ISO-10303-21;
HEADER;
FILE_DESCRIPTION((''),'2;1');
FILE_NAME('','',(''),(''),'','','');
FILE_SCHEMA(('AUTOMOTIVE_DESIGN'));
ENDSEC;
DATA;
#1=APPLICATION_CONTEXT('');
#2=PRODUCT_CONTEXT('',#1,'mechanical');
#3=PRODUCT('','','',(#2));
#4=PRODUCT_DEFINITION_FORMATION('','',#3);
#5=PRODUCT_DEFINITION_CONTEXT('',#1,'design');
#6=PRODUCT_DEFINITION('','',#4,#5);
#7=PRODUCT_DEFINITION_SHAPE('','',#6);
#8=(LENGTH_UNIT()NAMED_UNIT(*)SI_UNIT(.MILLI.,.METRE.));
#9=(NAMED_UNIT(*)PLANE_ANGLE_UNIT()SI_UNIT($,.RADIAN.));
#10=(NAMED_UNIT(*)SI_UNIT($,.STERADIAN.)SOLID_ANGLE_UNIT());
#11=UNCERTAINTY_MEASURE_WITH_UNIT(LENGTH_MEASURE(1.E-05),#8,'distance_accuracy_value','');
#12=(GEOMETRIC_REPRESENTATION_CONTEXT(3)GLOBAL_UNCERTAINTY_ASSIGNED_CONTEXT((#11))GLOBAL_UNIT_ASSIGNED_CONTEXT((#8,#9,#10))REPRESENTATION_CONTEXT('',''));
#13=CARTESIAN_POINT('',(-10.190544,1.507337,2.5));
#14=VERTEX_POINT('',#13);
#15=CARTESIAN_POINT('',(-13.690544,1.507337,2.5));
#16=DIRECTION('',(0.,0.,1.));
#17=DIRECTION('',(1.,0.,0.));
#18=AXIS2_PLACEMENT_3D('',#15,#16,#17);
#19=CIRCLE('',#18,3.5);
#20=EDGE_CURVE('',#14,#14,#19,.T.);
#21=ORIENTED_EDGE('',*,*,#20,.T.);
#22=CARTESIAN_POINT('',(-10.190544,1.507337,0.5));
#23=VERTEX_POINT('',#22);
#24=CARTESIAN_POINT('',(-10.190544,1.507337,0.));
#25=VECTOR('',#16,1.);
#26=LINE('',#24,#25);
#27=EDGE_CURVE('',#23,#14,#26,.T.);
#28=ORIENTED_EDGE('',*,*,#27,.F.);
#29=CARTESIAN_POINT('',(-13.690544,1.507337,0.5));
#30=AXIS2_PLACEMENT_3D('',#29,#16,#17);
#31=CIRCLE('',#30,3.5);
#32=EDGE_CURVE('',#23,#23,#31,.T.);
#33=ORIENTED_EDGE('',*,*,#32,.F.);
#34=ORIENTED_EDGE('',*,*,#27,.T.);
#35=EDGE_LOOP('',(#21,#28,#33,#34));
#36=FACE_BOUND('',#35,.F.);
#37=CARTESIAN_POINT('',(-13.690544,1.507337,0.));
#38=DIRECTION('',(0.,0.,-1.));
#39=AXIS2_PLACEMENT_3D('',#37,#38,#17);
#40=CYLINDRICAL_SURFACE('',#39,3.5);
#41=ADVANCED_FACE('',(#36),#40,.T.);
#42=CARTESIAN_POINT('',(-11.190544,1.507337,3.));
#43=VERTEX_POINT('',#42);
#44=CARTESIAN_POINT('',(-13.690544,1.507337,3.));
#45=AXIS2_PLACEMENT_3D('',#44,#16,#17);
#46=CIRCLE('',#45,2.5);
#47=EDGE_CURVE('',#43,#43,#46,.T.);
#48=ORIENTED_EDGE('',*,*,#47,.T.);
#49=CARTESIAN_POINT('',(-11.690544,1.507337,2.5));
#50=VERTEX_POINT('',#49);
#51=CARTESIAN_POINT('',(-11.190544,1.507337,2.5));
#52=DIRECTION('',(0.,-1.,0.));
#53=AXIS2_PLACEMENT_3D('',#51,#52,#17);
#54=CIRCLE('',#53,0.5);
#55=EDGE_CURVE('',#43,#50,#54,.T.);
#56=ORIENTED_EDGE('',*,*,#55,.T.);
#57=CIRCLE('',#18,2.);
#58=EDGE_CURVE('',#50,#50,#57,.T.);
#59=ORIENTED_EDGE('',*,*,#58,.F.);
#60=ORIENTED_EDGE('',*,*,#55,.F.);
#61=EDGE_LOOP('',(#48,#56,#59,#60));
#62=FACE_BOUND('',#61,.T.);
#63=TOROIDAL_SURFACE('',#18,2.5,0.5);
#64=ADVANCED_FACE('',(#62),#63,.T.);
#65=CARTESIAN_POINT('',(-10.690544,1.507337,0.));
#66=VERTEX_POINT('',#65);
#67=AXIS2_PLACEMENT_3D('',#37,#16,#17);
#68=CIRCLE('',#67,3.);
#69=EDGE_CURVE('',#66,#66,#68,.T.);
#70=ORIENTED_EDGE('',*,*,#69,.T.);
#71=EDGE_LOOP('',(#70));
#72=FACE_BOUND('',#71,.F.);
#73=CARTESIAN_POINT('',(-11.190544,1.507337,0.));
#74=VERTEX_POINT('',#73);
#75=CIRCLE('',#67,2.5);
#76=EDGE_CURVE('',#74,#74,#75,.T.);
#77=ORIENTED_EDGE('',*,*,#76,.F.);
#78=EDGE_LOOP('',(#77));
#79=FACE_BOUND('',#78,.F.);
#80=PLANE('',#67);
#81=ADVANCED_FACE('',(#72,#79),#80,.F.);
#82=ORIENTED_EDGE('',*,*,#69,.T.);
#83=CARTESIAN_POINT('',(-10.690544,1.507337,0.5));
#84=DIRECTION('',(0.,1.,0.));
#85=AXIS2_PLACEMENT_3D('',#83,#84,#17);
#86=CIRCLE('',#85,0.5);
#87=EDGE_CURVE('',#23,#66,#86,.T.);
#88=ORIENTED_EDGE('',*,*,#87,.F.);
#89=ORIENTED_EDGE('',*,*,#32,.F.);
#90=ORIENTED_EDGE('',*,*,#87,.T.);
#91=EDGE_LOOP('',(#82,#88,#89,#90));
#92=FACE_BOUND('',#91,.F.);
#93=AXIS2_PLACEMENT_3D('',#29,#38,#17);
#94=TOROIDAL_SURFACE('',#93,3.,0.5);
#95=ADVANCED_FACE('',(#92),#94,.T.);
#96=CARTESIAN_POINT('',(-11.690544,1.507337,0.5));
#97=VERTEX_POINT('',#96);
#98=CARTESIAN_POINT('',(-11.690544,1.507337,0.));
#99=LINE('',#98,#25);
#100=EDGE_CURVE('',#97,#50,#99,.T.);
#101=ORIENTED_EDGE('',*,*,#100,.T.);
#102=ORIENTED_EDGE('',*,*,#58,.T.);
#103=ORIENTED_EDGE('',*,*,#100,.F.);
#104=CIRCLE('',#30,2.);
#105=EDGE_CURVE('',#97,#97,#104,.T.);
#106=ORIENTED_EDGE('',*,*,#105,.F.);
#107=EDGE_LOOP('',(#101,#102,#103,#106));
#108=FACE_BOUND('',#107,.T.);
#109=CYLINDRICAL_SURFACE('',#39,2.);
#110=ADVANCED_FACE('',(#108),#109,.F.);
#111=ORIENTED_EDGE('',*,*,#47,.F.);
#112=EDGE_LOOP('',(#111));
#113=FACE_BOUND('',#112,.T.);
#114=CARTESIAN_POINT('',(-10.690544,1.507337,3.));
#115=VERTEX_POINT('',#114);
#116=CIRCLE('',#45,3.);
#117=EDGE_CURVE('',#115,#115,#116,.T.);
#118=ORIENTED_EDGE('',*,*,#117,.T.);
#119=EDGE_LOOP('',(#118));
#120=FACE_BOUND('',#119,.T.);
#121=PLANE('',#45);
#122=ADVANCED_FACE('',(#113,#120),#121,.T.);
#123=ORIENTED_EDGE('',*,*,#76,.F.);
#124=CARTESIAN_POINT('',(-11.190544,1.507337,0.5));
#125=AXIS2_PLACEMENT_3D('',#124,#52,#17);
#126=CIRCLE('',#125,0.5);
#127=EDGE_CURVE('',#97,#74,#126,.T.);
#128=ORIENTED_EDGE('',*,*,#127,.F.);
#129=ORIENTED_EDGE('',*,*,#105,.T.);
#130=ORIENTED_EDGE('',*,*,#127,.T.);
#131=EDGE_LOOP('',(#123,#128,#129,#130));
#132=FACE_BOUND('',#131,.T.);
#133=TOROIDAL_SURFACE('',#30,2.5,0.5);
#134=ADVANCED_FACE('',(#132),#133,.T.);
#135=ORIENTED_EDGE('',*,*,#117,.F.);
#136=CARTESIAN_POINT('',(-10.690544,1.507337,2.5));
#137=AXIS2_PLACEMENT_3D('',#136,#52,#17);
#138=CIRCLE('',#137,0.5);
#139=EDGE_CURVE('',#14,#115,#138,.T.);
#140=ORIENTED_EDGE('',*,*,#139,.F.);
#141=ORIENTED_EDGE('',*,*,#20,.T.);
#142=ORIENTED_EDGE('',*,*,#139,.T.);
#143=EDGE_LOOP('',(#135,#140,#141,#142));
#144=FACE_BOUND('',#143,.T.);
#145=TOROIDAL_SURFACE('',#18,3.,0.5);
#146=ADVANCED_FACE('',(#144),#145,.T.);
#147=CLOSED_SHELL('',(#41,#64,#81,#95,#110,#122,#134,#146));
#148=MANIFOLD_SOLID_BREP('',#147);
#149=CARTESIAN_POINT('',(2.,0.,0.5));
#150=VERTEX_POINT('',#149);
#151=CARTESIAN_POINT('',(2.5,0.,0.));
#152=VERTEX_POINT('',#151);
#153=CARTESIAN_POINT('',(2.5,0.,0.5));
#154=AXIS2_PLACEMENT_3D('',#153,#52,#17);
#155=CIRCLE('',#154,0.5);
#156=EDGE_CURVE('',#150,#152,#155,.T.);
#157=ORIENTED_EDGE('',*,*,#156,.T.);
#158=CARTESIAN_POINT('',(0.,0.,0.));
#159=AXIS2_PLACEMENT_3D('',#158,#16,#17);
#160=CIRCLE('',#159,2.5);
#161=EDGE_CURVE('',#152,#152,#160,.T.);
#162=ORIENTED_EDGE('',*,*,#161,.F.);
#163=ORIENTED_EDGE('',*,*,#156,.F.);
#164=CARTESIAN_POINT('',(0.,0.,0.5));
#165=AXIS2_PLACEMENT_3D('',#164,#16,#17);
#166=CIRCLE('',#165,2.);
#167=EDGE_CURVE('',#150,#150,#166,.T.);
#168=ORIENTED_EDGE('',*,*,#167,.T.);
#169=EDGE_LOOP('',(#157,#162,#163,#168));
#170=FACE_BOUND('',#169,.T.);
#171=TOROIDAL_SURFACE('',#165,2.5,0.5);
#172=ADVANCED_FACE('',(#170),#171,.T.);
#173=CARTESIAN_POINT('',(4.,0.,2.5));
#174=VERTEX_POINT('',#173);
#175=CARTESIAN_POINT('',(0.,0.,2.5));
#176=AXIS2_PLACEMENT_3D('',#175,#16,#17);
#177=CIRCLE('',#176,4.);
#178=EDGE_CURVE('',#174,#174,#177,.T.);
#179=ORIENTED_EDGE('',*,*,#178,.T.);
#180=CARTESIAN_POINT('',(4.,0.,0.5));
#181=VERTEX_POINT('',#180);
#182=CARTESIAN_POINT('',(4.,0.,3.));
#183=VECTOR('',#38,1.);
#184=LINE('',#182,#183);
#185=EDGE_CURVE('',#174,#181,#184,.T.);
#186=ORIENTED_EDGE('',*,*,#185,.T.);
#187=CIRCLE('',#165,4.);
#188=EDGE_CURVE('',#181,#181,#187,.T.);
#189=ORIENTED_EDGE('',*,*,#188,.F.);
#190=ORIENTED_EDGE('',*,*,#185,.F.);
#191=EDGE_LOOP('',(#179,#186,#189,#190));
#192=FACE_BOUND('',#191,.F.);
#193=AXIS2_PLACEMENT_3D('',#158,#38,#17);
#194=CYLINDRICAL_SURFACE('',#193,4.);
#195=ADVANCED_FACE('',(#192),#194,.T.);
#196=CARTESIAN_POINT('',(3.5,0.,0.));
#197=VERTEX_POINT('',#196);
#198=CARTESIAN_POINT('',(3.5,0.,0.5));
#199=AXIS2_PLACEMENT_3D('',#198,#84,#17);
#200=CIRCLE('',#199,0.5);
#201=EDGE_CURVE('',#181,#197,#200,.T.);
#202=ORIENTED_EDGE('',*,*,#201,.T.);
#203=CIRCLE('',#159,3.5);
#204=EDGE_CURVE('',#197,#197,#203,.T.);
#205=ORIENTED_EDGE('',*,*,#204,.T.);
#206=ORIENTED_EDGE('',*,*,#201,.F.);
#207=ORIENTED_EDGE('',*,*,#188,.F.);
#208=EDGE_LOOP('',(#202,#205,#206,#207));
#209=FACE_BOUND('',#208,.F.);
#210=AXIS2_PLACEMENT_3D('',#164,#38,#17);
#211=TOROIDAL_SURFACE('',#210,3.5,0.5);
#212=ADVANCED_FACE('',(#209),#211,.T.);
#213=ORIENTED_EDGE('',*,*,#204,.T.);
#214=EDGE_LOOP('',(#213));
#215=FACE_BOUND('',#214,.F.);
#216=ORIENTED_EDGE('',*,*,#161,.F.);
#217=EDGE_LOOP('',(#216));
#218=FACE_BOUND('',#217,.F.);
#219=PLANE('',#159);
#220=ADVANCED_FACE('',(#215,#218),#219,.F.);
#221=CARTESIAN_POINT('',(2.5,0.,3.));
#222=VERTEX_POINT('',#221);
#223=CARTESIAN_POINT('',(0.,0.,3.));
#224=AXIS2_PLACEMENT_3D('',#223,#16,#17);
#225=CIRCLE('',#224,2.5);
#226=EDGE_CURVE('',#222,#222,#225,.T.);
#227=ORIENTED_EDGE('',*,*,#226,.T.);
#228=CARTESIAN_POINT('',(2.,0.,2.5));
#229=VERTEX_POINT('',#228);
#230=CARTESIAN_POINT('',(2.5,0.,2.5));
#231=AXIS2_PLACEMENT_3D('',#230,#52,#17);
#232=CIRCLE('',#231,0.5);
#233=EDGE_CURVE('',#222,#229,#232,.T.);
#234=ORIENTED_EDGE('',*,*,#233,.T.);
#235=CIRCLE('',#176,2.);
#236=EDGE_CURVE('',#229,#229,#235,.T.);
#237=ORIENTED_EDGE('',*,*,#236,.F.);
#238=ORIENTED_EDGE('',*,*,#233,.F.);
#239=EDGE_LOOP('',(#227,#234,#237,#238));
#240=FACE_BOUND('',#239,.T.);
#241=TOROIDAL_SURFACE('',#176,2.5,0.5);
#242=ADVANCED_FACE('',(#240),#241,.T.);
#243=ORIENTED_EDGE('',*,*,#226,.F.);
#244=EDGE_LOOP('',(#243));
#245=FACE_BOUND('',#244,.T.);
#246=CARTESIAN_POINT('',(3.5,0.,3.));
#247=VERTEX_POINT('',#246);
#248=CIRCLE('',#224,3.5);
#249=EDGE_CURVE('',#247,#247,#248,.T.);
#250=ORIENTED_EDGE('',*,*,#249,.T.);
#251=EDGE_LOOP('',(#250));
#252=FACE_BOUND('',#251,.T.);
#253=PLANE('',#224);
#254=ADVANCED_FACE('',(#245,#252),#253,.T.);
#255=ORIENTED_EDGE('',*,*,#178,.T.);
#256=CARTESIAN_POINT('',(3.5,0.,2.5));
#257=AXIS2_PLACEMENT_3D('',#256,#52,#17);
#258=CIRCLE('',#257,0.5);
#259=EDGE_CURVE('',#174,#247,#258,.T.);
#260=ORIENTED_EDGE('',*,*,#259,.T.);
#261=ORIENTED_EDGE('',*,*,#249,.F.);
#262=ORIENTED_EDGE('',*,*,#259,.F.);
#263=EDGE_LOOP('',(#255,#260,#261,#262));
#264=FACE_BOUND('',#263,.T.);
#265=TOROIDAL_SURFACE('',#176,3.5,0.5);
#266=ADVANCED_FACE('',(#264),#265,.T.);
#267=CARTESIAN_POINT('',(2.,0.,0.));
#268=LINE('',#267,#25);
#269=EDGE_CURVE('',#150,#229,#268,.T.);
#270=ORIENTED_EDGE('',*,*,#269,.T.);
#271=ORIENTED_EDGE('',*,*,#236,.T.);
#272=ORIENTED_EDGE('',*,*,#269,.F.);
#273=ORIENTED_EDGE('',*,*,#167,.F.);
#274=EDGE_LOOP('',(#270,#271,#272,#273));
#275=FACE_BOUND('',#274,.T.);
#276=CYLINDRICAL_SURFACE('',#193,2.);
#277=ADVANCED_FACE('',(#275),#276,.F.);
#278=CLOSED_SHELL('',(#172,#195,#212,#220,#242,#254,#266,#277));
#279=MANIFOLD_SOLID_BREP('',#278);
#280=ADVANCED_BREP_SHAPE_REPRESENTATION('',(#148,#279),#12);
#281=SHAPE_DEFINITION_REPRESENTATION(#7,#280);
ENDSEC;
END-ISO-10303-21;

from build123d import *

# Parameters (mm, degrees)
F0_R     = 4
F0_R_2   = 2
F1_DEPTH = 3
F2_R     = 0.5
F0_R_3   = 3.5
F3_DEPTH = 3
F4_R     = 0.5
F5_R     = 0.5


with BuildPart() as f1:
    # F0 (on Top) → F1 (new body)
    with BuildSketch(Plane.XY):
        Circle(F0_R)
        Circle(F0_R_2, mode=Mode.SUBTRACT)
    extrude(amount=F1_DEPTH)

    # F2
    f2_edges = [f1.edges().sort_by_distance(p)[0] for p in [
        (-2, 0, 3),
        (-2, 0, 0),
        (-4, 0, 0),
        (-4, 0, 3),
    ]]
    fillet(f2_edges, radius=F2_R)

    # F0 (on Top) → F3 (join)
    with BuildSketch(Plane.XY):
        Circle(F0_R)
        Circle(F0_R_2, mode=Mode.SUBTRACT)
        with Locations((-13.690544, 1.507337)):
            Circle(F0_R_3)
        with Locations((-13.690544, 1.507337)):
            Circle(F0_R_2, mode=Mode.SUBTRACT)
    extrude(amount=F3_DEPTH)

    # F4
    f4_edges = [f1.edges().sort_by_distance(p)[0] for p in [
        (-17.190544, 1.507337, 3),
        (-15.690544, 1.507337, 3),
        (-17.190544, 1.507337, 0),
        (-15.690544, 1.507337, 0),
    ]]
    fillet(f4_edges, radius=F4_R)

    # F5
    f5_edges = [f1.edges().sort_by_distance(p)[0] for p in [
        (-4, 0, 3),
        (-2, 0, 3),
        (-4, 0, 0),
        (-2, 0, 0),
    ]]
    fillet(f5_edges, radius=F5_R)


solid = f1.part
